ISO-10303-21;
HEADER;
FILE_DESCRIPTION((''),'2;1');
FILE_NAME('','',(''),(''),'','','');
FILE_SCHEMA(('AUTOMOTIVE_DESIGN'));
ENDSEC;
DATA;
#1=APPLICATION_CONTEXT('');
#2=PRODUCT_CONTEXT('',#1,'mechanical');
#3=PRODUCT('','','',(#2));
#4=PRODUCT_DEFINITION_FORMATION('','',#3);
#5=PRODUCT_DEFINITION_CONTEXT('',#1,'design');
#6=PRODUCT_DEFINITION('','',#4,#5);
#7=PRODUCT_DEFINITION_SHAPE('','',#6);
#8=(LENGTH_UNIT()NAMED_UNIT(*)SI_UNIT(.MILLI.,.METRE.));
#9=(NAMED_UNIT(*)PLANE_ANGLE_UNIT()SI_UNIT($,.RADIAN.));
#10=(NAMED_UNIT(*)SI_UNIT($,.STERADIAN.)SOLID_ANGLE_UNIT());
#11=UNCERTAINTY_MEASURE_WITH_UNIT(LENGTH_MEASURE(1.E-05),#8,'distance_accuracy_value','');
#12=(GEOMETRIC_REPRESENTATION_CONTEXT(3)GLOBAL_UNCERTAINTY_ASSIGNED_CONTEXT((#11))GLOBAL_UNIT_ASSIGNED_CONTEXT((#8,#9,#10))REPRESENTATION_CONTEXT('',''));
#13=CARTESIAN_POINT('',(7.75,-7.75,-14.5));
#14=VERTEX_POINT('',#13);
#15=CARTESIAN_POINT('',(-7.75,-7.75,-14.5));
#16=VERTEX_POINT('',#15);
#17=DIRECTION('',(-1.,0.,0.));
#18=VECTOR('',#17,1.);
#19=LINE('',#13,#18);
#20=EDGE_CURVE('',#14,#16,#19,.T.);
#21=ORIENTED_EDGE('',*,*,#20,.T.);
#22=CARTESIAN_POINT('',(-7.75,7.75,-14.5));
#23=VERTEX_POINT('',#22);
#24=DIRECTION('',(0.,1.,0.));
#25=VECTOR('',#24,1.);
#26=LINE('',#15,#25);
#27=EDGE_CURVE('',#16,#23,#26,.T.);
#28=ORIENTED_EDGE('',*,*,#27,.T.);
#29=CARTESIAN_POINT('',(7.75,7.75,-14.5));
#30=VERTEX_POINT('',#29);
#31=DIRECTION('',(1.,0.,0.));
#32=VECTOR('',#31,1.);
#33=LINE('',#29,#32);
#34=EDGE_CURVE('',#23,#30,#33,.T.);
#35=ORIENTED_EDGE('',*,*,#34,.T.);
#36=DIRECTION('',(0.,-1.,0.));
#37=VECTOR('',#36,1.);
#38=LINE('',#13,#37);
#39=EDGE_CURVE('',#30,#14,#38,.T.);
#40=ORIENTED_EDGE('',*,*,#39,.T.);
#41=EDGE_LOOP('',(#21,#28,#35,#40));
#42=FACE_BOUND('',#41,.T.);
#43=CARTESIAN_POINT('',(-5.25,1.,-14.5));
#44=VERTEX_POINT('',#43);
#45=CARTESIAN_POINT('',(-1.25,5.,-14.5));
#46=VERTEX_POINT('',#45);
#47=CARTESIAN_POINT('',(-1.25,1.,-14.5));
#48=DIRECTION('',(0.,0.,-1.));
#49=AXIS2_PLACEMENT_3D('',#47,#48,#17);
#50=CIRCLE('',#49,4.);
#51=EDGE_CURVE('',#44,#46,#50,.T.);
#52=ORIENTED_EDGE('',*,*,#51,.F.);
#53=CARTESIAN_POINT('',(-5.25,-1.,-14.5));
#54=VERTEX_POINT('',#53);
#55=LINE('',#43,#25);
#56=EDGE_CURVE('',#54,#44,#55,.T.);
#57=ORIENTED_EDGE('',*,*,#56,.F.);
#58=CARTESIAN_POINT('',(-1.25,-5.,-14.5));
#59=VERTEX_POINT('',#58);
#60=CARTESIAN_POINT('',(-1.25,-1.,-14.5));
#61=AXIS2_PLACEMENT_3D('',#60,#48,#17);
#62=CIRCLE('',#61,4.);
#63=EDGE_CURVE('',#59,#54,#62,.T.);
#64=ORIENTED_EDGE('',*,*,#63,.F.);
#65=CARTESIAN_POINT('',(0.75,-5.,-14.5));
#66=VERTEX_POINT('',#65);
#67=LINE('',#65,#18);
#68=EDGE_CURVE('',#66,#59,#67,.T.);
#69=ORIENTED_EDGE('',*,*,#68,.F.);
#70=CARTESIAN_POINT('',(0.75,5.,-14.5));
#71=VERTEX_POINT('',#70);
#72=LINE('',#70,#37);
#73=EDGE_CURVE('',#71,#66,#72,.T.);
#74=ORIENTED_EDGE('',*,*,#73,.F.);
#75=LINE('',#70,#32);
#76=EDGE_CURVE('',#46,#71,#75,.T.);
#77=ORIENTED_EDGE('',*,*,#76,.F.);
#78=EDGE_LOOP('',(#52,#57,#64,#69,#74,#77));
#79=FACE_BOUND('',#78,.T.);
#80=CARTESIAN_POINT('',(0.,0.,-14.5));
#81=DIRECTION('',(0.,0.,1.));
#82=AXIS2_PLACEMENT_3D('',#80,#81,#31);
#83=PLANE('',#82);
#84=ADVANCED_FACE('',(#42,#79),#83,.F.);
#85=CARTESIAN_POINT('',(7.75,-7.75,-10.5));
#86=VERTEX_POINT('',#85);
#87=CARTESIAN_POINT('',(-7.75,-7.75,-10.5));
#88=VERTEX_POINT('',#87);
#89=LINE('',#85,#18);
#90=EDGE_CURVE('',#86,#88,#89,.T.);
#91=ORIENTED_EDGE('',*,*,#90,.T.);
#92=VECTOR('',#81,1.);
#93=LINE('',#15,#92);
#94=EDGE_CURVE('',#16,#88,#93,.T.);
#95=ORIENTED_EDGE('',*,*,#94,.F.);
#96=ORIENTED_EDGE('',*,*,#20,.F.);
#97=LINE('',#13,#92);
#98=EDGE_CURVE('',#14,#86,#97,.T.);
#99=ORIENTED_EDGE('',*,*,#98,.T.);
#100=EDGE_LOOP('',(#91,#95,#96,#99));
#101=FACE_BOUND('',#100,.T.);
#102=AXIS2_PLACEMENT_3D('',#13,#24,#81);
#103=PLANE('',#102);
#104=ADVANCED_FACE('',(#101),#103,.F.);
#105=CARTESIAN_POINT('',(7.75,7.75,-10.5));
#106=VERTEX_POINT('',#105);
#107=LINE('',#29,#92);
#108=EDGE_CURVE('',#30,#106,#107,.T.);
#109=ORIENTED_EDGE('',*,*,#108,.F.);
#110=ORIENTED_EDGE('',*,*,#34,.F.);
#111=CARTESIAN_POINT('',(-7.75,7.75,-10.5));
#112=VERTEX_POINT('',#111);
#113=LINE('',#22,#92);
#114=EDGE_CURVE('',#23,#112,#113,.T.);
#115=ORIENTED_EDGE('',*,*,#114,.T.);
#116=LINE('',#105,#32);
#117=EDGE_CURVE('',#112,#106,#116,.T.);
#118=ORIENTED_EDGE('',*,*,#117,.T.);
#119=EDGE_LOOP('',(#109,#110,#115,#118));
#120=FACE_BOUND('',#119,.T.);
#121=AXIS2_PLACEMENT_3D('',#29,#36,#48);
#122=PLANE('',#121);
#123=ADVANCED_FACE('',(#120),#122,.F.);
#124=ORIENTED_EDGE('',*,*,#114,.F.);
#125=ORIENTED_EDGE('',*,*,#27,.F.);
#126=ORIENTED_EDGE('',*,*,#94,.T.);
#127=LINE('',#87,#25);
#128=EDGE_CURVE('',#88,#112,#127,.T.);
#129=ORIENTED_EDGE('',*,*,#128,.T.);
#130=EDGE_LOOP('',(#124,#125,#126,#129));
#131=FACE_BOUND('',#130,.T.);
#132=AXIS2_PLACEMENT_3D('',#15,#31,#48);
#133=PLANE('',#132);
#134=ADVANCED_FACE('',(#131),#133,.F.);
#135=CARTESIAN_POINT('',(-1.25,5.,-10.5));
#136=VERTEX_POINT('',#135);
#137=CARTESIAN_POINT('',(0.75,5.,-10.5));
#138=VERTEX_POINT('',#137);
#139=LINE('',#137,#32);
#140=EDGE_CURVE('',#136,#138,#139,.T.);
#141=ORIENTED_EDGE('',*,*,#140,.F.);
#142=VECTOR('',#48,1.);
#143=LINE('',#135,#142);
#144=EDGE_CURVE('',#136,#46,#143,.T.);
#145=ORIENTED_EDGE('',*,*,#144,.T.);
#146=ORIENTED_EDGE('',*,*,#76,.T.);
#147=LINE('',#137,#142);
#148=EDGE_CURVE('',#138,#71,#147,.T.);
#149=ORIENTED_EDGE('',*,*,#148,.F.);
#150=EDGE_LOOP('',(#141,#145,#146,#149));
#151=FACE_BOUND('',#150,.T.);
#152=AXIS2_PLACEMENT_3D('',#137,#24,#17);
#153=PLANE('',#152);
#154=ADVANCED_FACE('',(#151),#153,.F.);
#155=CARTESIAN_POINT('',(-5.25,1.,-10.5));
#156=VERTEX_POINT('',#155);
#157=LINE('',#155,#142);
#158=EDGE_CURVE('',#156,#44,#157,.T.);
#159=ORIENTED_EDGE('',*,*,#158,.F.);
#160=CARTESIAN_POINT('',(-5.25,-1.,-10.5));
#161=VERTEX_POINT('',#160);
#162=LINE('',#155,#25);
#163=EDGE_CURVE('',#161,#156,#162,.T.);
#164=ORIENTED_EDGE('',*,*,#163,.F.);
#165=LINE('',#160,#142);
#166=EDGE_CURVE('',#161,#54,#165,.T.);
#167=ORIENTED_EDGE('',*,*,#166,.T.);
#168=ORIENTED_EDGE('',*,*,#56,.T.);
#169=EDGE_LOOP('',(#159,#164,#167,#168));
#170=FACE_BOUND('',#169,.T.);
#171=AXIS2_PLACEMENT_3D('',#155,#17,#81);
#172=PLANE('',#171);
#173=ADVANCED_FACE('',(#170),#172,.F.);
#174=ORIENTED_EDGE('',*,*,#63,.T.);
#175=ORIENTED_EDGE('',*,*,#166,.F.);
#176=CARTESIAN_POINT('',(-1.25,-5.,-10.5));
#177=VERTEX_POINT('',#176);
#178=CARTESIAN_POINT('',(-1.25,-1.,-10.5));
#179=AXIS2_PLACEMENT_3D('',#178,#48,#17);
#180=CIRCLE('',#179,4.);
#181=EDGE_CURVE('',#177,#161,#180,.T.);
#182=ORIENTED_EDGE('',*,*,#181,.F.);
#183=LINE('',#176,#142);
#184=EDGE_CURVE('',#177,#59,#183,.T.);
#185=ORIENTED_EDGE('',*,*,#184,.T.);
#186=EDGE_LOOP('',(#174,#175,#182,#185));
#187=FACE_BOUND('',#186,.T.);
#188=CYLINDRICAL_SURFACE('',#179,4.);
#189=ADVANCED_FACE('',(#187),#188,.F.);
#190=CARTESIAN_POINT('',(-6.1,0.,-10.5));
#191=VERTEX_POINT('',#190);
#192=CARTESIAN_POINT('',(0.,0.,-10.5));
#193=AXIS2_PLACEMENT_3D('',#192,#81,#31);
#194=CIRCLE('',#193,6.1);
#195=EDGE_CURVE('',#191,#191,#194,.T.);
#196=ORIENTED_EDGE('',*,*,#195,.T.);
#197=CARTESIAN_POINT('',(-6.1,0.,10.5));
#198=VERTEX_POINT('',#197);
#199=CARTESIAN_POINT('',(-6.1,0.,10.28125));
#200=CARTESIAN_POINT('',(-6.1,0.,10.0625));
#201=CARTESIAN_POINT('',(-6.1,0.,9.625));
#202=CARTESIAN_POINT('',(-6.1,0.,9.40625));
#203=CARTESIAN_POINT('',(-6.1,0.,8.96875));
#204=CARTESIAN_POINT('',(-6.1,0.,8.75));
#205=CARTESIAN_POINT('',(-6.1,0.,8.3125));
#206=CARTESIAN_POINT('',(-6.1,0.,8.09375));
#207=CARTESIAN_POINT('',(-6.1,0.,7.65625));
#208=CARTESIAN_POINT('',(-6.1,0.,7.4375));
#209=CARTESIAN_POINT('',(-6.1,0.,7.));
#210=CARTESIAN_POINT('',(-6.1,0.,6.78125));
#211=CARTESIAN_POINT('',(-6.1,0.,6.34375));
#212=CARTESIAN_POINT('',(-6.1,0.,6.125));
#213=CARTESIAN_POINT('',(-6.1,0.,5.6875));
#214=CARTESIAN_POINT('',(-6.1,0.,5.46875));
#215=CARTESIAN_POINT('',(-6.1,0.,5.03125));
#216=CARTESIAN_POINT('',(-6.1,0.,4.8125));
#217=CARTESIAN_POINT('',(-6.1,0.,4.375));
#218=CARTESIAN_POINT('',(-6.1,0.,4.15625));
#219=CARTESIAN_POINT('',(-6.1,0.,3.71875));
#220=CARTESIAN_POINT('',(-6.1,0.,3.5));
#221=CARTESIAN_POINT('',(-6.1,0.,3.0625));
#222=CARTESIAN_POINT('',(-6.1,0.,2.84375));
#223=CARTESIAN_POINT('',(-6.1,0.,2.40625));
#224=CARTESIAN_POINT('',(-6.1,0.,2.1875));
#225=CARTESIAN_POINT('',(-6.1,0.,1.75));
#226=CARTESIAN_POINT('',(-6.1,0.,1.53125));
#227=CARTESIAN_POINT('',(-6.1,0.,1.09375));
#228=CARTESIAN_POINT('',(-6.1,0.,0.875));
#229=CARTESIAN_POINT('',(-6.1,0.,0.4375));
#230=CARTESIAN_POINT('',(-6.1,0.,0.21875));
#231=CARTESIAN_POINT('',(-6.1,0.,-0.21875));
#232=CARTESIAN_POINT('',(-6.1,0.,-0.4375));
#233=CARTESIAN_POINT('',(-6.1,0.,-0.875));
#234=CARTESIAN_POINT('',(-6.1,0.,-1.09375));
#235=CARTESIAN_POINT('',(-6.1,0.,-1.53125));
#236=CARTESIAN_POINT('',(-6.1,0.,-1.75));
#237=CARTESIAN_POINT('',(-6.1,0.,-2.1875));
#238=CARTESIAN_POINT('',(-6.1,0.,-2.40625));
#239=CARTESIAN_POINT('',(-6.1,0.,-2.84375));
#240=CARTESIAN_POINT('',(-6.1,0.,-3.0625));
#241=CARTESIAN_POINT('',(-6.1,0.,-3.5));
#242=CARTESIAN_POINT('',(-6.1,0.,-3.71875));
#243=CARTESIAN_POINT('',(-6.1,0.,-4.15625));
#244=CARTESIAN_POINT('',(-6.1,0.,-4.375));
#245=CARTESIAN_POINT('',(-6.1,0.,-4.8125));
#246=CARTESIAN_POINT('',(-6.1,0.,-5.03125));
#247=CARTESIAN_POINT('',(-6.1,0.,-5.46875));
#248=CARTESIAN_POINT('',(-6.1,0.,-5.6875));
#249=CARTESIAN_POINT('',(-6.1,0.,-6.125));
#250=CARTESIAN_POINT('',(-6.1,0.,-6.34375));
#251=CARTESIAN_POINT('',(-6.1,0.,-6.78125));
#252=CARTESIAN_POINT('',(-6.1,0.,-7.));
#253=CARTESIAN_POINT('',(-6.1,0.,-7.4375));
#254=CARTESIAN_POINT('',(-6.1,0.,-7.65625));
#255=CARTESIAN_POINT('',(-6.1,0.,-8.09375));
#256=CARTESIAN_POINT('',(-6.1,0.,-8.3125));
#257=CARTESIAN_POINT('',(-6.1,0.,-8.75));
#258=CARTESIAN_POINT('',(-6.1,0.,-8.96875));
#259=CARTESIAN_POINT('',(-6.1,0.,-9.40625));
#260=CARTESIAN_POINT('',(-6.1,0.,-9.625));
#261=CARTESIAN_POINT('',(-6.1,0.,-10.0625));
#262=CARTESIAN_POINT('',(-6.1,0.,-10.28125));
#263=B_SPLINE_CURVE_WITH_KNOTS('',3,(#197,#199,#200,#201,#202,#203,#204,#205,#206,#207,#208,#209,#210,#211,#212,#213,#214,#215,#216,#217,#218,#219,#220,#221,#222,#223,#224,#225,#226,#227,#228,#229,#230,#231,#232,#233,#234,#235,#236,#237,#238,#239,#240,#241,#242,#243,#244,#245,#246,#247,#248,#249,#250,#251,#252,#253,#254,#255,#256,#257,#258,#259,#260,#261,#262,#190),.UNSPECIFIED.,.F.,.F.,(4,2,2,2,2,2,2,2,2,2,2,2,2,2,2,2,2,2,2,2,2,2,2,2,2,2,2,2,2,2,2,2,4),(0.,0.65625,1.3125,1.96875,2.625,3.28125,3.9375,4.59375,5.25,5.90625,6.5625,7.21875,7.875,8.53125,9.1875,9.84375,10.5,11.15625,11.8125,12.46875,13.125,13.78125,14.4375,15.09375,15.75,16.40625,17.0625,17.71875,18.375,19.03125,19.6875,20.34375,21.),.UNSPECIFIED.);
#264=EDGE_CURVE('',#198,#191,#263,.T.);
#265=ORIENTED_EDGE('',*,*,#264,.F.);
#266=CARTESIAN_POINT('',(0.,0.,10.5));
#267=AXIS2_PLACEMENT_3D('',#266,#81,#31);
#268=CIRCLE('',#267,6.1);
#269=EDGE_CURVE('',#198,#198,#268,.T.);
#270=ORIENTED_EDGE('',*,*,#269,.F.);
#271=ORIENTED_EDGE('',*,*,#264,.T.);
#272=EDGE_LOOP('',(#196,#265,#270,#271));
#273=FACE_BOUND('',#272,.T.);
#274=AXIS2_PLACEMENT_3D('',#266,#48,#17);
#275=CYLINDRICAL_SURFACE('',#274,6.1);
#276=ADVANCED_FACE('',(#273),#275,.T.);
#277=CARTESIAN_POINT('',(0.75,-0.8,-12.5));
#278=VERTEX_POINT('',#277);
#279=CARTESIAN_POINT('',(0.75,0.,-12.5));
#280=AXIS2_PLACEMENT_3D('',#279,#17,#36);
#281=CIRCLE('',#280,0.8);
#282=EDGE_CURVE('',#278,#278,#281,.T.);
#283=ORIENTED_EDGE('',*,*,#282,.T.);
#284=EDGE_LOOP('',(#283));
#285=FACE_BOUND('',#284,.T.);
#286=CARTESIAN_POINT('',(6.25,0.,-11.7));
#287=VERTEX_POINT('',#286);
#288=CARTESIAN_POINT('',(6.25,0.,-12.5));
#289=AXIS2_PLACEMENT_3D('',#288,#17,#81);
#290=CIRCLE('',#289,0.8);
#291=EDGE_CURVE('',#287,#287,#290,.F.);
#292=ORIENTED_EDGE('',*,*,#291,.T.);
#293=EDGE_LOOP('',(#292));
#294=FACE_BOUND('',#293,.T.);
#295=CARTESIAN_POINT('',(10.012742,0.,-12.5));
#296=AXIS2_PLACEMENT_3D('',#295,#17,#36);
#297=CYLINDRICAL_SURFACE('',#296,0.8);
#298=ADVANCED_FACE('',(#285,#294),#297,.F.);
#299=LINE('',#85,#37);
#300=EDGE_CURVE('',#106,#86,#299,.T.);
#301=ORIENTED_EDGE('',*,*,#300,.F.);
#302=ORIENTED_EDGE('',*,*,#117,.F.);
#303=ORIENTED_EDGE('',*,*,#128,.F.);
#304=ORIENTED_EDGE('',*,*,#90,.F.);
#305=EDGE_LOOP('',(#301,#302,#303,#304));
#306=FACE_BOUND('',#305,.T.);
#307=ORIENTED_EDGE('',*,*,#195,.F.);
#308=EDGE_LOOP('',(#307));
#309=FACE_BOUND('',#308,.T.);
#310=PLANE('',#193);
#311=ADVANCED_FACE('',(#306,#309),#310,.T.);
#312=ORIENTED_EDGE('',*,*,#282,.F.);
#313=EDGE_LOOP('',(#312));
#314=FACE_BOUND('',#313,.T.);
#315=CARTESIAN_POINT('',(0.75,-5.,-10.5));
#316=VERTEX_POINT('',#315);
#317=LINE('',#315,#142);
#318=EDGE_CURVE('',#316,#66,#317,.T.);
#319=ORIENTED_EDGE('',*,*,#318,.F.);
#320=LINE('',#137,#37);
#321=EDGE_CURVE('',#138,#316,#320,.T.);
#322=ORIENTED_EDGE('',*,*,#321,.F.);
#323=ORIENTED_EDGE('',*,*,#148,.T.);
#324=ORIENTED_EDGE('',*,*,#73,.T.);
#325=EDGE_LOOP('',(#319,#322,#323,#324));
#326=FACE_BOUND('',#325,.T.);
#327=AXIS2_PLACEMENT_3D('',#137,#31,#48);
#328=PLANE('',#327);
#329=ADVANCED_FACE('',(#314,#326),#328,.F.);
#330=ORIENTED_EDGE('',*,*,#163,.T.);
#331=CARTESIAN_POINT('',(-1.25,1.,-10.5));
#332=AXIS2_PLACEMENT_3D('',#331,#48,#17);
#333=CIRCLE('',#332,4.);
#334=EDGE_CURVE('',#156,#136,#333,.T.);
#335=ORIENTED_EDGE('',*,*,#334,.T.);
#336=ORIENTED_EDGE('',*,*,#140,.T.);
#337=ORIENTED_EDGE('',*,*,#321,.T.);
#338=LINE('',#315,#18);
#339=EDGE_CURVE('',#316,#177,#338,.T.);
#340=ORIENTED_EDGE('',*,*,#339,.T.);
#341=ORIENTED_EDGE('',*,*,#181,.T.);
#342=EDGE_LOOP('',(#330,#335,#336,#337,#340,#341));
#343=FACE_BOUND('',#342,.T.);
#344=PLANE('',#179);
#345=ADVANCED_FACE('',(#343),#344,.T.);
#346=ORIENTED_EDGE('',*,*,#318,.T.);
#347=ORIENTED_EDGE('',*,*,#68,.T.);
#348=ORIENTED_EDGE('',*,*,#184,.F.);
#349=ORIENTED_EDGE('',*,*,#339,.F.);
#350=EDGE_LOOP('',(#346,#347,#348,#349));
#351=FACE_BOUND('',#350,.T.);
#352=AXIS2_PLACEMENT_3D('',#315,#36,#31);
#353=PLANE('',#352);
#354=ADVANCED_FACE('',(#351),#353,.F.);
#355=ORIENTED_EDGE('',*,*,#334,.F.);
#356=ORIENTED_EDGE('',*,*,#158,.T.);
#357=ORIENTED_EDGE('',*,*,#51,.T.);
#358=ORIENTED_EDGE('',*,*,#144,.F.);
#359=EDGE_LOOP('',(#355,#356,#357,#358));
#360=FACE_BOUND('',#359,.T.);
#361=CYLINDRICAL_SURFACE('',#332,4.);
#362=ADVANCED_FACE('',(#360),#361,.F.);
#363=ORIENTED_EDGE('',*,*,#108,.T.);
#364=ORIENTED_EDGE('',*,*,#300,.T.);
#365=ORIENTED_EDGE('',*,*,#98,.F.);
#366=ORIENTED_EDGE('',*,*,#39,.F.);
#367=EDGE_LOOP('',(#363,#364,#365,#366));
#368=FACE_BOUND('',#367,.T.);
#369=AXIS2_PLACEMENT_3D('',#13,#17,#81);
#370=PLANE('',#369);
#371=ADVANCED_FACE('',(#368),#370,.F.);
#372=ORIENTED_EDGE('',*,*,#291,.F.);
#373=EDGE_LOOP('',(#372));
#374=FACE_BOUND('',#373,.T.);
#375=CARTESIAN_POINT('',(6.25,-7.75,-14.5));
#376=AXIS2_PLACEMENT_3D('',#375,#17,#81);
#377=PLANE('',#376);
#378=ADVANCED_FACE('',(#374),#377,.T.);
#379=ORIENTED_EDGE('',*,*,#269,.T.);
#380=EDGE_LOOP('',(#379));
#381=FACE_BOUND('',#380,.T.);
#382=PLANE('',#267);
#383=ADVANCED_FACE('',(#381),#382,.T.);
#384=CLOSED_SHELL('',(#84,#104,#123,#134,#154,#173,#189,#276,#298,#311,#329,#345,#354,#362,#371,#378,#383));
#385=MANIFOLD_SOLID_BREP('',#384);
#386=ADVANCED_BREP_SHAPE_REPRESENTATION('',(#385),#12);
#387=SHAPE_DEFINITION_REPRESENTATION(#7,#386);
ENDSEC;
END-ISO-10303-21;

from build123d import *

# Parameters (mm, degrees)
SKETCH1_R           = 6.1
BOSS_EXTRUDE1_DEPTH = 10.5
SKETCH2_W           = 15.5
SKETCH2_H           = 15.5
BOSS_EXTRUDE2_DEPTH = 4
CUT_EXTRUDE1_DEPTH  = 4
SKETCH4_R           = 0.8
CUT_EXTRUDE2_DEPTH  = 5.5


with BuildPart() as part:
    # Sketch1 → Boss-Extrude1 (new, symmetric)
    with BuildSketch(Plane.XY):
        with Locations(Location((0, 0, 0), (0, 0, 180))):
            Circle(SKETCH1_R)
    extrude(amount=BOSS_EXTRUDE1_DEPTH, both=True)

    # Sketch2 → Boss-Extrude2 (add)
    with BuildSketch(Plane(origin=(0, 0, -10.5), x_dir=(-1, 0, 0), z_dir=(0, 0, -1))):
        Rectangle(SKETCH2_W, SKETCH2_H)
    extrude(amount=BOSS_EXTRUDE2_DEPTH)

    # Sketch3 → Cut-Extrude1 (cut)
    with BuildSketch(Plane(origin=(0, 0, -14.5), x_dir=(-1, 0, 0), z_dir=(0, 0, -1))):
        with BuildLine():
            Line((-0.75, 5), (1.25, 5))
            ThreePointArc((1.25, 5), (4.078427125, 3.828427125), (5.25, 1))
            Line((5.25, 1), (5.25, -1))
            ThreePointArc((5.25, -1), (4.078427125, -3.828427125), (1.25, -5))
            Line((1.25, -5), (-0.75, -5))
            Line((-0.75, -5), (-0.75, 5))
        make_face()
    extrude(amount=-CUT_EXTRUDE1_DEPTH, mode=Mode.SUBTRACT)

    # Sketch4 → Cut-Extrude2 (cut)
    with BuildSketch(Plane.ZY.offset(-0.75)):
        with Locations(Location((-12.5, 0, 0), (0, 0, 270))):
            Circle(SKETCH4_R)
    extrude(amount=-CUT_EXTRUDE2_DEPTH, mode=Mode.SUBTRACT)


solid = part.part
